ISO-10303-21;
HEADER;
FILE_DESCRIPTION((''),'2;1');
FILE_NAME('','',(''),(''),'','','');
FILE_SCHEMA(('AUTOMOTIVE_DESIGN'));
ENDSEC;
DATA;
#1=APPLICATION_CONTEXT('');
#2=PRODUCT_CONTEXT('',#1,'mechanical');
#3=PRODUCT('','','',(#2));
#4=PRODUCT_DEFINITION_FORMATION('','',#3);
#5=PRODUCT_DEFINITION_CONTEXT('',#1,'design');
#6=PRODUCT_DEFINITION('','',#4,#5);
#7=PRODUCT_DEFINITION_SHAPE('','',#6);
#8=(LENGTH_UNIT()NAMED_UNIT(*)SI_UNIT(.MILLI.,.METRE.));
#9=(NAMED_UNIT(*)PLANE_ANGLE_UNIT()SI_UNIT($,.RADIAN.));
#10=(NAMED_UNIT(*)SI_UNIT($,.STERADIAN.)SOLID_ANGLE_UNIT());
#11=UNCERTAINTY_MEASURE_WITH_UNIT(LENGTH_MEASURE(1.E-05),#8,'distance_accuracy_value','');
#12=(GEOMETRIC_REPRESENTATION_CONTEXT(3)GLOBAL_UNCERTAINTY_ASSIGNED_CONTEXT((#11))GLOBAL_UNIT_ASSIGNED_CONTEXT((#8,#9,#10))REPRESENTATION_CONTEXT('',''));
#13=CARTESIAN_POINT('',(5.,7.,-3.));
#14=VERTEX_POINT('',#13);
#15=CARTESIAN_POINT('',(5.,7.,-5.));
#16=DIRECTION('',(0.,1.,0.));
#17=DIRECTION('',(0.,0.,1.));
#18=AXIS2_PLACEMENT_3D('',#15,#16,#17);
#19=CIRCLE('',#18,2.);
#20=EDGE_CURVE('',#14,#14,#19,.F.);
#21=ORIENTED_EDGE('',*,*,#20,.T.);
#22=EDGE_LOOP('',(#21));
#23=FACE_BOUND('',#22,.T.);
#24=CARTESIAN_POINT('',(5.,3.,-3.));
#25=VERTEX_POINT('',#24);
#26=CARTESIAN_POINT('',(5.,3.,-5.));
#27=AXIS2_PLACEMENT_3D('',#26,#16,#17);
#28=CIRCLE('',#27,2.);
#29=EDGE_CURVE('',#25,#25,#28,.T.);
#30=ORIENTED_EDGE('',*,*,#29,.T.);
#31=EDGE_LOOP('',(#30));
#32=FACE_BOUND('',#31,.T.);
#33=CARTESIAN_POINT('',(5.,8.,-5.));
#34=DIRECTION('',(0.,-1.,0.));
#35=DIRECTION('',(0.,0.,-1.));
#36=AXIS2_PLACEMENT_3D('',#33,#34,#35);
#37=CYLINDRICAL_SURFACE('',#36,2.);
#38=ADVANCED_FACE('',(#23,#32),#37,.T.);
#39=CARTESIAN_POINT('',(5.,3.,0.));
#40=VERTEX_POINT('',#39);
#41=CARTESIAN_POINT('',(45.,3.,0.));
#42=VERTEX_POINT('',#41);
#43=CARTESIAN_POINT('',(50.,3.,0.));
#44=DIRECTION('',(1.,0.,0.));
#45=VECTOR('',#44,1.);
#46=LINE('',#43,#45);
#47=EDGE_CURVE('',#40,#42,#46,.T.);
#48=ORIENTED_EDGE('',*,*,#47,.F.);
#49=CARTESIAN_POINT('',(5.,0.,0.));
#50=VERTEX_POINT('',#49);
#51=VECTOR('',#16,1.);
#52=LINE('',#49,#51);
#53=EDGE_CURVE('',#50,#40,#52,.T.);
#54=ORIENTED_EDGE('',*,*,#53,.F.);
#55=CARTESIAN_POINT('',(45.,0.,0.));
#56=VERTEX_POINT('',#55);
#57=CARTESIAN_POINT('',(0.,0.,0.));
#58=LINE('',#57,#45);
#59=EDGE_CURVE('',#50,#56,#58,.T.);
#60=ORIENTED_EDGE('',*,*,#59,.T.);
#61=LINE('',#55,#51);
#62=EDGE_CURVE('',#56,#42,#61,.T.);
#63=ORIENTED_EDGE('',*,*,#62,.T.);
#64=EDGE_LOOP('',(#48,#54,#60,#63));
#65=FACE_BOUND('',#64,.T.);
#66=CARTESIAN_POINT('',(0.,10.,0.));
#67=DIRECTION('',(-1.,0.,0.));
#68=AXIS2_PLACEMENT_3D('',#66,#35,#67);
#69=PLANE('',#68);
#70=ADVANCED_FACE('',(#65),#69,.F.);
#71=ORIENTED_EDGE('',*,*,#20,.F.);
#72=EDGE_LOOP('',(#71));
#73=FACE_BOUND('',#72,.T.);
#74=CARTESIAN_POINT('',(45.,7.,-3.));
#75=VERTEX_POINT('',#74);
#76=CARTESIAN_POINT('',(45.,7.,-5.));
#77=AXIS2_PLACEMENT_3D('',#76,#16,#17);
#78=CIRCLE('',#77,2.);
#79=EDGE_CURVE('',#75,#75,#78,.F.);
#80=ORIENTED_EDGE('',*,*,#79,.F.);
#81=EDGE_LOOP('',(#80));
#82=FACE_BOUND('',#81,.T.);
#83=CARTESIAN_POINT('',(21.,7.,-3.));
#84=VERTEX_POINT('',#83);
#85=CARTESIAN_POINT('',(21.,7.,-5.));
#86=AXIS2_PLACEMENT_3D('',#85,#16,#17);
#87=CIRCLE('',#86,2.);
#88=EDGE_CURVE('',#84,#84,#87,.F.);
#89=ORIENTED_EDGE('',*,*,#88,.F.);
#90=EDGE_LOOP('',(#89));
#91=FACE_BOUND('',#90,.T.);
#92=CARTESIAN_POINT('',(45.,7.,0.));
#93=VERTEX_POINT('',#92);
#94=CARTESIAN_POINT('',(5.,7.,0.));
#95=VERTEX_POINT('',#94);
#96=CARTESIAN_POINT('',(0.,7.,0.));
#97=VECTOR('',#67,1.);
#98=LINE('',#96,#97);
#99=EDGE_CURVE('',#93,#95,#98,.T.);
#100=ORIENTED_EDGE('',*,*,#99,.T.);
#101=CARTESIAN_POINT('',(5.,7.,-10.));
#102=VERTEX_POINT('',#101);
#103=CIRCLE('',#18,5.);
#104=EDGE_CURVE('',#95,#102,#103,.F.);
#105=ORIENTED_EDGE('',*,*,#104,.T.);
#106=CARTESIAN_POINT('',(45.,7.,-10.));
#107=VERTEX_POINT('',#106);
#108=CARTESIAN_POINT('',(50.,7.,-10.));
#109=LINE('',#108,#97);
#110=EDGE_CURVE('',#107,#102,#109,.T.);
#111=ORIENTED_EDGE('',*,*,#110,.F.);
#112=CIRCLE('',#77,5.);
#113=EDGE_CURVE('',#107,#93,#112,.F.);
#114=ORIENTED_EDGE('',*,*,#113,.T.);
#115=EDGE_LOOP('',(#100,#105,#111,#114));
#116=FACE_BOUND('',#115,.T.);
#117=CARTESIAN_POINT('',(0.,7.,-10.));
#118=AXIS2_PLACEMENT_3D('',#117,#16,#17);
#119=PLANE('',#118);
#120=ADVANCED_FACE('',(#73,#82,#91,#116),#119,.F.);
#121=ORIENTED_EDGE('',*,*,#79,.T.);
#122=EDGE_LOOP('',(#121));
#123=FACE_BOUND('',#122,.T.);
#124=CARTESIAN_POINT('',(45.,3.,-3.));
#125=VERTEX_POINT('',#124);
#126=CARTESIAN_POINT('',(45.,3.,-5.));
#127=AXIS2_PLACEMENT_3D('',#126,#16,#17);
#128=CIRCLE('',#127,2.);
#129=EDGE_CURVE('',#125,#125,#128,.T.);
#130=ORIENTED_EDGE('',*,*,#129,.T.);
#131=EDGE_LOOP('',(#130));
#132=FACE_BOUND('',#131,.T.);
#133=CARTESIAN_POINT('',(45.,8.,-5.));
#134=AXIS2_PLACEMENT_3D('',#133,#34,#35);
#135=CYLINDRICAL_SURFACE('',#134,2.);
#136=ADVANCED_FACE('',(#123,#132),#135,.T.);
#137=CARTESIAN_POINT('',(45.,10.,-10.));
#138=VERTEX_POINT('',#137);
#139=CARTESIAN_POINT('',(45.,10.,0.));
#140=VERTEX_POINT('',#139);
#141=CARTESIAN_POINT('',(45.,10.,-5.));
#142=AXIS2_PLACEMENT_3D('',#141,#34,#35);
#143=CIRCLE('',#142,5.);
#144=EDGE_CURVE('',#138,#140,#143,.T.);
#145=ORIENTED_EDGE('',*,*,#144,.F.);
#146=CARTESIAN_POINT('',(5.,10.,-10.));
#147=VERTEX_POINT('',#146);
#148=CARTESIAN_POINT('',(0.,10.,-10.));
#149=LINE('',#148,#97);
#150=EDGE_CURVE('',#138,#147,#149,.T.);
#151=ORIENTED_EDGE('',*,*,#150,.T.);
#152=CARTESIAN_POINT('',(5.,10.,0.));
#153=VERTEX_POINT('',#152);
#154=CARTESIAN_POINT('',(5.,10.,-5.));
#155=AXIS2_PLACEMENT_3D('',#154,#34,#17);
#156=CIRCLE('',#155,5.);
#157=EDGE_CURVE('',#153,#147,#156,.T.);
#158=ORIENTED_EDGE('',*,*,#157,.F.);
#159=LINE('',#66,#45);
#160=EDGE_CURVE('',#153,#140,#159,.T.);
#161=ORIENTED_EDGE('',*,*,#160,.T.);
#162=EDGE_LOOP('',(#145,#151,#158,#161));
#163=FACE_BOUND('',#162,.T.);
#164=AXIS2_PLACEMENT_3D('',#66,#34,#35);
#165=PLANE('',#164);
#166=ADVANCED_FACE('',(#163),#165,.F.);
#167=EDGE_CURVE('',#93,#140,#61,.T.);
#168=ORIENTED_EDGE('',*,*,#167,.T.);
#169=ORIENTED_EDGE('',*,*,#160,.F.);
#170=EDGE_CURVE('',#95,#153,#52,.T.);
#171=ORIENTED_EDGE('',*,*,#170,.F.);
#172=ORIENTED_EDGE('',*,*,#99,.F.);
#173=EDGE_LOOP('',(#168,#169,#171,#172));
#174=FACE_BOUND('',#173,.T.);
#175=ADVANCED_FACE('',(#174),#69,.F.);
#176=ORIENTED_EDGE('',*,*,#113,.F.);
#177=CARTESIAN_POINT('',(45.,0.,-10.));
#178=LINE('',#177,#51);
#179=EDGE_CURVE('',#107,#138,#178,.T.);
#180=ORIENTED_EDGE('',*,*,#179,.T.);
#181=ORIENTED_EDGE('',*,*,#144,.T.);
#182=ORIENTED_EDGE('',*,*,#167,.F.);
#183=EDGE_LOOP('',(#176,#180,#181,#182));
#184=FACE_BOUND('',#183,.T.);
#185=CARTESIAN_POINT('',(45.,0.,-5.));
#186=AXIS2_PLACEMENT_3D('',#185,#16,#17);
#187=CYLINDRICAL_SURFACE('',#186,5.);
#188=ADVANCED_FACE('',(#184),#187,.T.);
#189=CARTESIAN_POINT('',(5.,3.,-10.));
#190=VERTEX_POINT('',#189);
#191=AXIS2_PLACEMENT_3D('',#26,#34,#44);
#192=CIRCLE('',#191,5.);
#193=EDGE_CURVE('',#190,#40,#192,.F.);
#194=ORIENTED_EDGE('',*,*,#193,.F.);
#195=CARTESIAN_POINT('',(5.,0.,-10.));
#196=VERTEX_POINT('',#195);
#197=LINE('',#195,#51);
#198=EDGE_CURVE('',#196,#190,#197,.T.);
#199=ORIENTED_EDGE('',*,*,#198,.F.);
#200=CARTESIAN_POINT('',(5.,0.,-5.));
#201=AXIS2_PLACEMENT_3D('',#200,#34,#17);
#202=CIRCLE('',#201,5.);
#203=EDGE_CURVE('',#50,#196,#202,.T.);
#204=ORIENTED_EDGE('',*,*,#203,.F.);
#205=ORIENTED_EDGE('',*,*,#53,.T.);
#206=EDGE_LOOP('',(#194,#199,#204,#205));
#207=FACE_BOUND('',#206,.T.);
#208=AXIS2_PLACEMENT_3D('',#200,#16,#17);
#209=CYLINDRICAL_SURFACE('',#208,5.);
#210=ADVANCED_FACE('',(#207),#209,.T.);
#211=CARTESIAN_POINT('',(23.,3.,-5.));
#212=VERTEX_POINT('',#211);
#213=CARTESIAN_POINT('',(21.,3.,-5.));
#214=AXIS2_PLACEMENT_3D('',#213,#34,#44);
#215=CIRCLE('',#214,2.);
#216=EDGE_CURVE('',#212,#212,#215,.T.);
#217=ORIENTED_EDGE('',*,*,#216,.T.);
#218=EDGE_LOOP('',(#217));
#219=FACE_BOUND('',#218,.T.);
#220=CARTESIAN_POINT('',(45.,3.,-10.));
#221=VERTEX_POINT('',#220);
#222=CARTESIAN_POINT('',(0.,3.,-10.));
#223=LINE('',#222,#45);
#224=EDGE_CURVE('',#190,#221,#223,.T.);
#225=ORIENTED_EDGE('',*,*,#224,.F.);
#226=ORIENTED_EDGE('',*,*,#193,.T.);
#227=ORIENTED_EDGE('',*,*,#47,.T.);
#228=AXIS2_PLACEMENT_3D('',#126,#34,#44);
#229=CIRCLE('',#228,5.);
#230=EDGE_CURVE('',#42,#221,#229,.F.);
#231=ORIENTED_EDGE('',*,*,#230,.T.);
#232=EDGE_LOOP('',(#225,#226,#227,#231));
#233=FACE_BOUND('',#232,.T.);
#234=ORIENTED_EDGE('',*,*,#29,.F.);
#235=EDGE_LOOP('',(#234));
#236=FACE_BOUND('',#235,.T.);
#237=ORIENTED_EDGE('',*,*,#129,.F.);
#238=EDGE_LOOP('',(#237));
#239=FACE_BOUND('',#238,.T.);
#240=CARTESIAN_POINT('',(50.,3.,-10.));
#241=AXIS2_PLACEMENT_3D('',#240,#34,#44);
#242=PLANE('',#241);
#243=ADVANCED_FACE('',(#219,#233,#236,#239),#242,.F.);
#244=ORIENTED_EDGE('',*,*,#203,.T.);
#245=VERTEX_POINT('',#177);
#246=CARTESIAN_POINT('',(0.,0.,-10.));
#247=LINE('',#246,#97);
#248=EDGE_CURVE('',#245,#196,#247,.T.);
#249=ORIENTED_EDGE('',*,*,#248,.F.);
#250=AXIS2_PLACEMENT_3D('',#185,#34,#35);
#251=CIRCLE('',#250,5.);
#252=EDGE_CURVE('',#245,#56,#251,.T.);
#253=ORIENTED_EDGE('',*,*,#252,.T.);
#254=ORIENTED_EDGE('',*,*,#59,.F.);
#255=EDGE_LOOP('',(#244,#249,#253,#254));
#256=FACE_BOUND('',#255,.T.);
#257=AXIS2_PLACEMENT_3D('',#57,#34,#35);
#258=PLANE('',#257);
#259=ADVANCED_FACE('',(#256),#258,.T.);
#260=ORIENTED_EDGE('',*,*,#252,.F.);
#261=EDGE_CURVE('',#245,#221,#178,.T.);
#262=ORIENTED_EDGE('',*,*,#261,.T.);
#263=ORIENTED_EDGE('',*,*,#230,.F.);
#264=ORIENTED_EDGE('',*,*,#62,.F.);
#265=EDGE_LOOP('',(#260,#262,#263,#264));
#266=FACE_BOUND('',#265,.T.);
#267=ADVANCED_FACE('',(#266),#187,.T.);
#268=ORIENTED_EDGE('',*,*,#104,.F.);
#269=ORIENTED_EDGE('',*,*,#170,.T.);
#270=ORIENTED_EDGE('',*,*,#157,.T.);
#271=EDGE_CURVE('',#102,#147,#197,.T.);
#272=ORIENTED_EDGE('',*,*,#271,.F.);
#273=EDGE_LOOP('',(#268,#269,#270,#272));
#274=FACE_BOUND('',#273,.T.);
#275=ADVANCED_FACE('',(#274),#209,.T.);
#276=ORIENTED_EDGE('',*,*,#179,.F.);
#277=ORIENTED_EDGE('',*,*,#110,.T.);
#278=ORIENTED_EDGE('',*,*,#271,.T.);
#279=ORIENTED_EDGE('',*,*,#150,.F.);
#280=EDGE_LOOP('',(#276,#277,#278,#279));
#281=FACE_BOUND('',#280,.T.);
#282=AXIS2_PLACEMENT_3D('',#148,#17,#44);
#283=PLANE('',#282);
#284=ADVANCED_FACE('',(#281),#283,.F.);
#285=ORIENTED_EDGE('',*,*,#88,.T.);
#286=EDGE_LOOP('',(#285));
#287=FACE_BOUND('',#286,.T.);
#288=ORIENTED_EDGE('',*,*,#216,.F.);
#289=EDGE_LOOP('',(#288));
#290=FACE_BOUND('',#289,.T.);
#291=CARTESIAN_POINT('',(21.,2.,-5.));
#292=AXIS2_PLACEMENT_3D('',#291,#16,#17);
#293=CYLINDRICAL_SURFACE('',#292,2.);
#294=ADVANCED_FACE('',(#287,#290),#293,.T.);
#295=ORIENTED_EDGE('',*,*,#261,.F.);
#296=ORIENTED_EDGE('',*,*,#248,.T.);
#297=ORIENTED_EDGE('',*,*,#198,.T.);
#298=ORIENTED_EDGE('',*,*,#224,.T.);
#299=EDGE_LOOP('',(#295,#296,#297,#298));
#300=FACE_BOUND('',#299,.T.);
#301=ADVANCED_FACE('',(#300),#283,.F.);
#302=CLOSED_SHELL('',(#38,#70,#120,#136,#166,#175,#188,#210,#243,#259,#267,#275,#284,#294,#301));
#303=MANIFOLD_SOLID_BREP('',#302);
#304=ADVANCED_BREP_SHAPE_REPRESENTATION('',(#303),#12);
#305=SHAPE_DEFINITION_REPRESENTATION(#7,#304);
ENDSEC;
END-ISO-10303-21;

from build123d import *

# Parameters (mm, degrees)
ESQUISSE1_W             = 50
ESQUISSE1_H             = 10
BOSS_EXTRU_1_DEPTH      = 10
ENL_V_MAT_EXTRU_1_DEPTH = 10
ESQUISSE3_R             = 2
BOSS_EXTRU_2_DEPTH      = 5
ENL_V_MAT_EXTRU_2_DEPTH = 52.961524227
ESQUISSE6_R             = 2
BOSS_EXTRU_3_DEPTH      = 5


with BuildPart() as part:
    # Esquisse1 → Boss.-Extru.1 (new body)
    with BuildSketch(Plane(origin=(0, 0, 0), x_dir=(1, 0, 0), z_dir=(0, 1, 0))):
        with Locations((25, 5)):
            Rectangle(ESQUISSE1_W, ESQUISSE1_H)
    extrude(amount=BOSS_EXTRU_1_DEPTH)

    # Esquisse2 → Enlèv. mat.-Extru.1 (cut)
    with BuildSketch(Plane.XY):
        Polygon((0, 3), (20, 3), (30, 3), (50, 3), (50, 7), (30, 7), (20, 7), (0, 7), align=None)
    extrude(amount=-ENL_V_MAT_EXTRU_1_DEPTH, mode=Mode.SUBTRACT)


with BuildPart() as enl_v_mat_extru_1_piece_1:
    # of the separate pieces the step leaves, piece 1, a body of its own (enl_v_mat_extru_1_pieces)
    add(part.part.solids().sort_by_distance((0, 7, 0))[0])

    # Esquisse3 → Boss.-Extru.2 (add)
    with BuildSketch(Plane(origin=(0, 3, 0), x_dir=(1, 0, 0), z_dir=(0, 1, 0))):
        with Locations(Location((5, 5, 0), (0, 0, 270))):
            Circle(ESQUISSE3_R)
        with Locations(Location((45, 5, 0), (0, 0, 270))):
            Circle(ESQUISSE3_R)
    extrude(amount=BOSS_EXTRU_2_DEPTH)


with BuildPart() as enl_v_mat_extru_1_piece_2:
    # of the separate pieces the step leaves, piece 2, a body of its own (enl_v_mat_extru_1_pieces)
    add(part.part.solids().sort_by_distance((0, 0, 0))[0])


with BuildPart() as enl_v_mat_extru_2_tool:
    # Esquisse4 → Enlèv. mat.-Extru.2 (new, through all)
    with BuildSketch(Plane(origin=(0, 10, 0), x_dir=(1, 0, 0), z_dir=(0, 1, 0))):
        with BuildLine():
            Line((5, 0), (-6.304307012, 0))
            Line((-6.304307012, 0), (-6.304307012, 10))
            Line((-6.304307012, 10), (5, 10))
            ThreePointArc((5, 10), (0, 5), (5, 0))
        make_face()
        with BuildLine():
            Line((45, 0), (61.280681511, 0))
            Line((61.280681511, 0), (61.280681511, 10))
            Line((61.280681511, 10), (45, 10))
            ThreePointArc((45, 10), (50, 5), (45, 0))
        make_face()
    extrude(amount=-ENL_V_MAT_EXTRU_2_DEPTH)


with BuildPart() as enl_v_mat_extru_1_piece_1_1:
    add(enl_v_mat_extru_1_piece_1.part)

    # Enlèv. mat.-Extru.2: cut by enl_v_mat_extru_2_tool
    add(enl_v_mat_extru_2_tool.part, mode=Mode.SUBTRACT)



with BuildPart() as enl_v_mat_extru_1_piece_2_1:
    add(enl_v_mat_extru_1_piece_2.part)

    # Enlèv. mat.-Extru.2: cut by enl_v_mat_extru_2_tool
    add(enl_v_mat_extru_2_tool.part, mode=Mode.SUBTRACT)


with BuildPart() as enl_v_mat_extru_1_piece_1_2:
    add(enl_v_mat_extru_1_piece_1_1.part)

    add(enl_v_mat_extru_1_piece_2_1.part)  # Boss.-Extru.3 merges Enlèv. mat.-Extru.1 piece 2
    # Esquisse6 → Boss.-Extru.3 (add)
    with BuildSketch(Plane.XZ.offset(-7)):
        with Locations(Location((21, -5, 0), (0, 0, 90))):
            Circle(ESQUISSE6_R)
    extrude(amount=BOSS_EXTRU_3_DEPTH)


solid = enl_v_mat_extru_1_piece_1_2.part
